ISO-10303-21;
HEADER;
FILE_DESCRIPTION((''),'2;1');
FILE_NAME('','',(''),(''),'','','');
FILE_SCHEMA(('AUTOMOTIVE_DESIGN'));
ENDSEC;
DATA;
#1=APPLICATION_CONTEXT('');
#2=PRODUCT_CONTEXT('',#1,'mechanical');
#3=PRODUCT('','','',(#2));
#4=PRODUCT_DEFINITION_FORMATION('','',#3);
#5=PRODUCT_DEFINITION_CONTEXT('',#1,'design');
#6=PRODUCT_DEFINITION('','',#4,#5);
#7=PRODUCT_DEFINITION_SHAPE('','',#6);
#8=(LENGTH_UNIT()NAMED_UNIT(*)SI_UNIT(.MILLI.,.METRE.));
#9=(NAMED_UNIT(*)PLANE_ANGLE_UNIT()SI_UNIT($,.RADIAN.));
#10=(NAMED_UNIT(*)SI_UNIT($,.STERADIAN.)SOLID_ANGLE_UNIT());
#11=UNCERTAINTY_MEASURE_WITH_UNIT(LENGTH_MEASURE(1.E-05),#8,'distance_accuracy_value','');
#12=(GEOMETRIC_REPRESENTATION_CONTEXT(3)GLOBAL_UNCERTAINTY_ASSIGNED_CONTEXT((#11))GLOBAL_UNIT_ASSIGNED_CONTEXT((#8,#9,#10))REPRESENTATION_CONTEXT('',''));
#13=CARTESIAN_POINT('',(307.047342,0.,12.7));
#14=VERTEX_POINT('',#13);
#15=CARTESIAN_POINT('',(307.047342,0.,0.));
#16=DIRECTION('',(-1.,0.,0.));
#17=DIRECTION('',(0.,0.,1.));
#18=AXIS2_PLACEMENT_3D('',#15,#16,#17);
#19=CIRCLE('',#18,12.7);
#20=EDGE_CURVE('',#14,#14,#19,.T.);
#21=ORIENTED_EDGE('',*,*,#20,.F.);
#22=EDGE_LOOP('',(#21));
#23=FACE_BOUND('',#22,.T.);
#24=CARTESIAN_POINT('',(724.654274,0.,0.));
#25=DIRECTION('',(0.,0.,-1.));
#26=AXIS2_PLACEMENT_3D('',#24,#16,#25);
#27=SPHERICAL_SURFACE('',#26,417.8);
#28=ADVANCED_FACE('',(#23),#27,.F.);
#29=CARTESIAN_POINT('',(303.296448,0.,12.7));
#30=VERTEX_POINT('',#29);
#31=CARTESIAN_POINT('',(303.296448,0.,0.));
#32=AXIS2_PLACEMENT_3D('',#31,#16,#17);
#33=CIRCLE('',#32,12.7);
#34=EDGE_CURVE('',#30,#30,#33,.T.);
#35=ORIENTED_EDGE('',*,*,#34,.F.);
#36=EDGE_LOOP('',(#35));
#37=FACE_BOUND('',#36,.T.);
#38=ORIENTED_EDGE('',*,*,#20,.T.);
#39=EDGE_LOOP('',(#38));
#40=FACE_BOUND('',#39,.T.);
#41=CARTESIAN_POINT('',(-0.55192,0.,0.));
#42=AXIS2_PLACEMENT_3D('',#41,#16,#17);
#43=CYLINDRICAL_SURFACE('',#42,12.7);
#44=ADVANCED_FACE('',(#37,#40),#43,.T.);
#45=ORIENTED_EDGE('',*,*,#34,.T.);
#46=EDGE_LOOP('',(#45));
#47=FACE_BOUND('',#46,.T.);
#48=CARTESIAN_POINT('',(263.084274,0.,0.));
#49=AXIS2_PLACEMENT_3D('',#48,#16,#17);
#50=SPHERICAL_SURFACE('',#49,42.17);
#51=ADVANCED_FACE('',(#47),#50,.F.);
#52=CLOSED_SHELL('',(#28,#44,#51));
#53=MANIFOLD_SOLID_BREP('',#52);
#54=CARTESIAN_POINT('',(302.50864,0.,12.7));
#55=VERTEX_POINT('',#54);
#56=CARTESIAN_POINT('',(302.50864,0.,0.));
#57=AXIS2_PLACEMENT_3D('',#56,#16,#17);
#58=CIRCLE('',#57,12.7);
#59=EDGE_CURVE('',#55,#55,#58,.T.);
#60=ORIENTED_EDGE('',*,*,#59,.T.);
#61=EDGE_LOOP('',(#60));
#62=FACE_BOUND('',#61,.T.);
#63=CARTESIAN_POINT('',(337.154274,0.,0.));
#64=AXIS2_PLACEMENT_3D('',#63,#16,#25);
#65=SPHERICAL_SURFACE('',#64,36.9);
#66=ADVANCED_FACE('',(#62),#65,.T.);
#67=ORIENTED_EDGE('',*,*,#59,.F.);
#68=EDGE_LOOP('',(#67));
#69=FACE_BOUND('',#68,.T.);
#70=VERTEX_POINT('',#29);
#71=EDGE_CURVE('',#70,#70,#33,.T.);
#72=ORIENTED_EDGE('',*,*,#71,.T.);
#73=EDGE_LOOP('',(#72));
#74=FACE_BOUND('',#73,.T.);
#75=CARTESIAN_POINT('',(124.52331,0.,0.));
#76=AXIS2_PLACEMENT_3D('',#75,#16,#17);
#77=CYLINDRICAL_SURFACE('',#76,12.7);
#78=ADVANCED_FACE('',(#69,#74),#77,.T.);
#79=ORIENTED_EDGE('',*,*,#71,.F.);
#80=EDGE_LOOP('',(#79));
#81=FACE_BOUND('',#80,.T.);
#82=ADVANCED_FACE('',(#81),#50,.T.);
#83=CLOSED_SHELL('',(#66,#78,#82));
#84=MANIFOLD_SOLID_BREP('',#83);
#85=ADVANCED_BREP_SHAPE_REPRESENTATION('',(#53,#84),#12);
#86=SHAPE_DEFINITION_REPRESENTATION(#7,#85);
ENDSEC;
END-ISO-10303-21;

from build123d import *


with BuildPart() as part:
    # 草图1 one side → 旋转1 (revolve)
    with BuildSketch(Plane(origin=(0, 0, 0), x_dir=(1, 0, 0), z_dir=(0, 1, 0)), mode=Mode.PRIVATE) as revolve_1_sk:
        with BuildLine():
            ThreePointArc((302.508639841, 12.7), (300.822236845, 6.449266686), (300.254274486, 0))
            Line((300.254274486, 0), (305.254274486, 0))
            ThreePointArc((305.254274486, 0), (304.761943914, 6.425011371), (303.296448016, 12.7))
            Line((303.296448016, 12.7), (302.508639841, 12.7))
        make_face()
    revolve(revolve_1_sk.sketch.rotate(Axis((124.523309526, 0, 0), (1, 0, 0)), 180), axis=Axis((124.523309526, 0, 0), (1, 0, 0)))  # turned: the seam where the file's is


with BuildPart() as body_2:
    # 草图2 one side → 旋转3 (revolve)
    with BuildSketch(Plane(origin=(0, 0, 0), x_dir=(1, 0, 0), z_dir=(0, 1, 0)), mode=Mode.PRIVATE) as revolve_3_sk:
        with BuildLine():
            Line((307.047342073, 12.7), (303.296448016, 12.7))
            ThreePointArc((303.296448016, 12.7), (304.761943914, 6.425011371), (305.254274486, 0))
            Line((305.254274486, 0), (306.854274486, 0))
            ThreePointArc((306.854274486, 0), (306.902544171, 6.350733719), (307.047342073, 12.7))
        make_face()
    revolve(revolve_3_sk.sketch.rotate(Axis((-0.551919993, 0, 0), (1, 0, 0)), 180), axis=Axis((-0.551919993, 0, 0), (1, 0, 0)))  # turned: the seam where the file's is


solid = Compound([part.part, body_2.part])
